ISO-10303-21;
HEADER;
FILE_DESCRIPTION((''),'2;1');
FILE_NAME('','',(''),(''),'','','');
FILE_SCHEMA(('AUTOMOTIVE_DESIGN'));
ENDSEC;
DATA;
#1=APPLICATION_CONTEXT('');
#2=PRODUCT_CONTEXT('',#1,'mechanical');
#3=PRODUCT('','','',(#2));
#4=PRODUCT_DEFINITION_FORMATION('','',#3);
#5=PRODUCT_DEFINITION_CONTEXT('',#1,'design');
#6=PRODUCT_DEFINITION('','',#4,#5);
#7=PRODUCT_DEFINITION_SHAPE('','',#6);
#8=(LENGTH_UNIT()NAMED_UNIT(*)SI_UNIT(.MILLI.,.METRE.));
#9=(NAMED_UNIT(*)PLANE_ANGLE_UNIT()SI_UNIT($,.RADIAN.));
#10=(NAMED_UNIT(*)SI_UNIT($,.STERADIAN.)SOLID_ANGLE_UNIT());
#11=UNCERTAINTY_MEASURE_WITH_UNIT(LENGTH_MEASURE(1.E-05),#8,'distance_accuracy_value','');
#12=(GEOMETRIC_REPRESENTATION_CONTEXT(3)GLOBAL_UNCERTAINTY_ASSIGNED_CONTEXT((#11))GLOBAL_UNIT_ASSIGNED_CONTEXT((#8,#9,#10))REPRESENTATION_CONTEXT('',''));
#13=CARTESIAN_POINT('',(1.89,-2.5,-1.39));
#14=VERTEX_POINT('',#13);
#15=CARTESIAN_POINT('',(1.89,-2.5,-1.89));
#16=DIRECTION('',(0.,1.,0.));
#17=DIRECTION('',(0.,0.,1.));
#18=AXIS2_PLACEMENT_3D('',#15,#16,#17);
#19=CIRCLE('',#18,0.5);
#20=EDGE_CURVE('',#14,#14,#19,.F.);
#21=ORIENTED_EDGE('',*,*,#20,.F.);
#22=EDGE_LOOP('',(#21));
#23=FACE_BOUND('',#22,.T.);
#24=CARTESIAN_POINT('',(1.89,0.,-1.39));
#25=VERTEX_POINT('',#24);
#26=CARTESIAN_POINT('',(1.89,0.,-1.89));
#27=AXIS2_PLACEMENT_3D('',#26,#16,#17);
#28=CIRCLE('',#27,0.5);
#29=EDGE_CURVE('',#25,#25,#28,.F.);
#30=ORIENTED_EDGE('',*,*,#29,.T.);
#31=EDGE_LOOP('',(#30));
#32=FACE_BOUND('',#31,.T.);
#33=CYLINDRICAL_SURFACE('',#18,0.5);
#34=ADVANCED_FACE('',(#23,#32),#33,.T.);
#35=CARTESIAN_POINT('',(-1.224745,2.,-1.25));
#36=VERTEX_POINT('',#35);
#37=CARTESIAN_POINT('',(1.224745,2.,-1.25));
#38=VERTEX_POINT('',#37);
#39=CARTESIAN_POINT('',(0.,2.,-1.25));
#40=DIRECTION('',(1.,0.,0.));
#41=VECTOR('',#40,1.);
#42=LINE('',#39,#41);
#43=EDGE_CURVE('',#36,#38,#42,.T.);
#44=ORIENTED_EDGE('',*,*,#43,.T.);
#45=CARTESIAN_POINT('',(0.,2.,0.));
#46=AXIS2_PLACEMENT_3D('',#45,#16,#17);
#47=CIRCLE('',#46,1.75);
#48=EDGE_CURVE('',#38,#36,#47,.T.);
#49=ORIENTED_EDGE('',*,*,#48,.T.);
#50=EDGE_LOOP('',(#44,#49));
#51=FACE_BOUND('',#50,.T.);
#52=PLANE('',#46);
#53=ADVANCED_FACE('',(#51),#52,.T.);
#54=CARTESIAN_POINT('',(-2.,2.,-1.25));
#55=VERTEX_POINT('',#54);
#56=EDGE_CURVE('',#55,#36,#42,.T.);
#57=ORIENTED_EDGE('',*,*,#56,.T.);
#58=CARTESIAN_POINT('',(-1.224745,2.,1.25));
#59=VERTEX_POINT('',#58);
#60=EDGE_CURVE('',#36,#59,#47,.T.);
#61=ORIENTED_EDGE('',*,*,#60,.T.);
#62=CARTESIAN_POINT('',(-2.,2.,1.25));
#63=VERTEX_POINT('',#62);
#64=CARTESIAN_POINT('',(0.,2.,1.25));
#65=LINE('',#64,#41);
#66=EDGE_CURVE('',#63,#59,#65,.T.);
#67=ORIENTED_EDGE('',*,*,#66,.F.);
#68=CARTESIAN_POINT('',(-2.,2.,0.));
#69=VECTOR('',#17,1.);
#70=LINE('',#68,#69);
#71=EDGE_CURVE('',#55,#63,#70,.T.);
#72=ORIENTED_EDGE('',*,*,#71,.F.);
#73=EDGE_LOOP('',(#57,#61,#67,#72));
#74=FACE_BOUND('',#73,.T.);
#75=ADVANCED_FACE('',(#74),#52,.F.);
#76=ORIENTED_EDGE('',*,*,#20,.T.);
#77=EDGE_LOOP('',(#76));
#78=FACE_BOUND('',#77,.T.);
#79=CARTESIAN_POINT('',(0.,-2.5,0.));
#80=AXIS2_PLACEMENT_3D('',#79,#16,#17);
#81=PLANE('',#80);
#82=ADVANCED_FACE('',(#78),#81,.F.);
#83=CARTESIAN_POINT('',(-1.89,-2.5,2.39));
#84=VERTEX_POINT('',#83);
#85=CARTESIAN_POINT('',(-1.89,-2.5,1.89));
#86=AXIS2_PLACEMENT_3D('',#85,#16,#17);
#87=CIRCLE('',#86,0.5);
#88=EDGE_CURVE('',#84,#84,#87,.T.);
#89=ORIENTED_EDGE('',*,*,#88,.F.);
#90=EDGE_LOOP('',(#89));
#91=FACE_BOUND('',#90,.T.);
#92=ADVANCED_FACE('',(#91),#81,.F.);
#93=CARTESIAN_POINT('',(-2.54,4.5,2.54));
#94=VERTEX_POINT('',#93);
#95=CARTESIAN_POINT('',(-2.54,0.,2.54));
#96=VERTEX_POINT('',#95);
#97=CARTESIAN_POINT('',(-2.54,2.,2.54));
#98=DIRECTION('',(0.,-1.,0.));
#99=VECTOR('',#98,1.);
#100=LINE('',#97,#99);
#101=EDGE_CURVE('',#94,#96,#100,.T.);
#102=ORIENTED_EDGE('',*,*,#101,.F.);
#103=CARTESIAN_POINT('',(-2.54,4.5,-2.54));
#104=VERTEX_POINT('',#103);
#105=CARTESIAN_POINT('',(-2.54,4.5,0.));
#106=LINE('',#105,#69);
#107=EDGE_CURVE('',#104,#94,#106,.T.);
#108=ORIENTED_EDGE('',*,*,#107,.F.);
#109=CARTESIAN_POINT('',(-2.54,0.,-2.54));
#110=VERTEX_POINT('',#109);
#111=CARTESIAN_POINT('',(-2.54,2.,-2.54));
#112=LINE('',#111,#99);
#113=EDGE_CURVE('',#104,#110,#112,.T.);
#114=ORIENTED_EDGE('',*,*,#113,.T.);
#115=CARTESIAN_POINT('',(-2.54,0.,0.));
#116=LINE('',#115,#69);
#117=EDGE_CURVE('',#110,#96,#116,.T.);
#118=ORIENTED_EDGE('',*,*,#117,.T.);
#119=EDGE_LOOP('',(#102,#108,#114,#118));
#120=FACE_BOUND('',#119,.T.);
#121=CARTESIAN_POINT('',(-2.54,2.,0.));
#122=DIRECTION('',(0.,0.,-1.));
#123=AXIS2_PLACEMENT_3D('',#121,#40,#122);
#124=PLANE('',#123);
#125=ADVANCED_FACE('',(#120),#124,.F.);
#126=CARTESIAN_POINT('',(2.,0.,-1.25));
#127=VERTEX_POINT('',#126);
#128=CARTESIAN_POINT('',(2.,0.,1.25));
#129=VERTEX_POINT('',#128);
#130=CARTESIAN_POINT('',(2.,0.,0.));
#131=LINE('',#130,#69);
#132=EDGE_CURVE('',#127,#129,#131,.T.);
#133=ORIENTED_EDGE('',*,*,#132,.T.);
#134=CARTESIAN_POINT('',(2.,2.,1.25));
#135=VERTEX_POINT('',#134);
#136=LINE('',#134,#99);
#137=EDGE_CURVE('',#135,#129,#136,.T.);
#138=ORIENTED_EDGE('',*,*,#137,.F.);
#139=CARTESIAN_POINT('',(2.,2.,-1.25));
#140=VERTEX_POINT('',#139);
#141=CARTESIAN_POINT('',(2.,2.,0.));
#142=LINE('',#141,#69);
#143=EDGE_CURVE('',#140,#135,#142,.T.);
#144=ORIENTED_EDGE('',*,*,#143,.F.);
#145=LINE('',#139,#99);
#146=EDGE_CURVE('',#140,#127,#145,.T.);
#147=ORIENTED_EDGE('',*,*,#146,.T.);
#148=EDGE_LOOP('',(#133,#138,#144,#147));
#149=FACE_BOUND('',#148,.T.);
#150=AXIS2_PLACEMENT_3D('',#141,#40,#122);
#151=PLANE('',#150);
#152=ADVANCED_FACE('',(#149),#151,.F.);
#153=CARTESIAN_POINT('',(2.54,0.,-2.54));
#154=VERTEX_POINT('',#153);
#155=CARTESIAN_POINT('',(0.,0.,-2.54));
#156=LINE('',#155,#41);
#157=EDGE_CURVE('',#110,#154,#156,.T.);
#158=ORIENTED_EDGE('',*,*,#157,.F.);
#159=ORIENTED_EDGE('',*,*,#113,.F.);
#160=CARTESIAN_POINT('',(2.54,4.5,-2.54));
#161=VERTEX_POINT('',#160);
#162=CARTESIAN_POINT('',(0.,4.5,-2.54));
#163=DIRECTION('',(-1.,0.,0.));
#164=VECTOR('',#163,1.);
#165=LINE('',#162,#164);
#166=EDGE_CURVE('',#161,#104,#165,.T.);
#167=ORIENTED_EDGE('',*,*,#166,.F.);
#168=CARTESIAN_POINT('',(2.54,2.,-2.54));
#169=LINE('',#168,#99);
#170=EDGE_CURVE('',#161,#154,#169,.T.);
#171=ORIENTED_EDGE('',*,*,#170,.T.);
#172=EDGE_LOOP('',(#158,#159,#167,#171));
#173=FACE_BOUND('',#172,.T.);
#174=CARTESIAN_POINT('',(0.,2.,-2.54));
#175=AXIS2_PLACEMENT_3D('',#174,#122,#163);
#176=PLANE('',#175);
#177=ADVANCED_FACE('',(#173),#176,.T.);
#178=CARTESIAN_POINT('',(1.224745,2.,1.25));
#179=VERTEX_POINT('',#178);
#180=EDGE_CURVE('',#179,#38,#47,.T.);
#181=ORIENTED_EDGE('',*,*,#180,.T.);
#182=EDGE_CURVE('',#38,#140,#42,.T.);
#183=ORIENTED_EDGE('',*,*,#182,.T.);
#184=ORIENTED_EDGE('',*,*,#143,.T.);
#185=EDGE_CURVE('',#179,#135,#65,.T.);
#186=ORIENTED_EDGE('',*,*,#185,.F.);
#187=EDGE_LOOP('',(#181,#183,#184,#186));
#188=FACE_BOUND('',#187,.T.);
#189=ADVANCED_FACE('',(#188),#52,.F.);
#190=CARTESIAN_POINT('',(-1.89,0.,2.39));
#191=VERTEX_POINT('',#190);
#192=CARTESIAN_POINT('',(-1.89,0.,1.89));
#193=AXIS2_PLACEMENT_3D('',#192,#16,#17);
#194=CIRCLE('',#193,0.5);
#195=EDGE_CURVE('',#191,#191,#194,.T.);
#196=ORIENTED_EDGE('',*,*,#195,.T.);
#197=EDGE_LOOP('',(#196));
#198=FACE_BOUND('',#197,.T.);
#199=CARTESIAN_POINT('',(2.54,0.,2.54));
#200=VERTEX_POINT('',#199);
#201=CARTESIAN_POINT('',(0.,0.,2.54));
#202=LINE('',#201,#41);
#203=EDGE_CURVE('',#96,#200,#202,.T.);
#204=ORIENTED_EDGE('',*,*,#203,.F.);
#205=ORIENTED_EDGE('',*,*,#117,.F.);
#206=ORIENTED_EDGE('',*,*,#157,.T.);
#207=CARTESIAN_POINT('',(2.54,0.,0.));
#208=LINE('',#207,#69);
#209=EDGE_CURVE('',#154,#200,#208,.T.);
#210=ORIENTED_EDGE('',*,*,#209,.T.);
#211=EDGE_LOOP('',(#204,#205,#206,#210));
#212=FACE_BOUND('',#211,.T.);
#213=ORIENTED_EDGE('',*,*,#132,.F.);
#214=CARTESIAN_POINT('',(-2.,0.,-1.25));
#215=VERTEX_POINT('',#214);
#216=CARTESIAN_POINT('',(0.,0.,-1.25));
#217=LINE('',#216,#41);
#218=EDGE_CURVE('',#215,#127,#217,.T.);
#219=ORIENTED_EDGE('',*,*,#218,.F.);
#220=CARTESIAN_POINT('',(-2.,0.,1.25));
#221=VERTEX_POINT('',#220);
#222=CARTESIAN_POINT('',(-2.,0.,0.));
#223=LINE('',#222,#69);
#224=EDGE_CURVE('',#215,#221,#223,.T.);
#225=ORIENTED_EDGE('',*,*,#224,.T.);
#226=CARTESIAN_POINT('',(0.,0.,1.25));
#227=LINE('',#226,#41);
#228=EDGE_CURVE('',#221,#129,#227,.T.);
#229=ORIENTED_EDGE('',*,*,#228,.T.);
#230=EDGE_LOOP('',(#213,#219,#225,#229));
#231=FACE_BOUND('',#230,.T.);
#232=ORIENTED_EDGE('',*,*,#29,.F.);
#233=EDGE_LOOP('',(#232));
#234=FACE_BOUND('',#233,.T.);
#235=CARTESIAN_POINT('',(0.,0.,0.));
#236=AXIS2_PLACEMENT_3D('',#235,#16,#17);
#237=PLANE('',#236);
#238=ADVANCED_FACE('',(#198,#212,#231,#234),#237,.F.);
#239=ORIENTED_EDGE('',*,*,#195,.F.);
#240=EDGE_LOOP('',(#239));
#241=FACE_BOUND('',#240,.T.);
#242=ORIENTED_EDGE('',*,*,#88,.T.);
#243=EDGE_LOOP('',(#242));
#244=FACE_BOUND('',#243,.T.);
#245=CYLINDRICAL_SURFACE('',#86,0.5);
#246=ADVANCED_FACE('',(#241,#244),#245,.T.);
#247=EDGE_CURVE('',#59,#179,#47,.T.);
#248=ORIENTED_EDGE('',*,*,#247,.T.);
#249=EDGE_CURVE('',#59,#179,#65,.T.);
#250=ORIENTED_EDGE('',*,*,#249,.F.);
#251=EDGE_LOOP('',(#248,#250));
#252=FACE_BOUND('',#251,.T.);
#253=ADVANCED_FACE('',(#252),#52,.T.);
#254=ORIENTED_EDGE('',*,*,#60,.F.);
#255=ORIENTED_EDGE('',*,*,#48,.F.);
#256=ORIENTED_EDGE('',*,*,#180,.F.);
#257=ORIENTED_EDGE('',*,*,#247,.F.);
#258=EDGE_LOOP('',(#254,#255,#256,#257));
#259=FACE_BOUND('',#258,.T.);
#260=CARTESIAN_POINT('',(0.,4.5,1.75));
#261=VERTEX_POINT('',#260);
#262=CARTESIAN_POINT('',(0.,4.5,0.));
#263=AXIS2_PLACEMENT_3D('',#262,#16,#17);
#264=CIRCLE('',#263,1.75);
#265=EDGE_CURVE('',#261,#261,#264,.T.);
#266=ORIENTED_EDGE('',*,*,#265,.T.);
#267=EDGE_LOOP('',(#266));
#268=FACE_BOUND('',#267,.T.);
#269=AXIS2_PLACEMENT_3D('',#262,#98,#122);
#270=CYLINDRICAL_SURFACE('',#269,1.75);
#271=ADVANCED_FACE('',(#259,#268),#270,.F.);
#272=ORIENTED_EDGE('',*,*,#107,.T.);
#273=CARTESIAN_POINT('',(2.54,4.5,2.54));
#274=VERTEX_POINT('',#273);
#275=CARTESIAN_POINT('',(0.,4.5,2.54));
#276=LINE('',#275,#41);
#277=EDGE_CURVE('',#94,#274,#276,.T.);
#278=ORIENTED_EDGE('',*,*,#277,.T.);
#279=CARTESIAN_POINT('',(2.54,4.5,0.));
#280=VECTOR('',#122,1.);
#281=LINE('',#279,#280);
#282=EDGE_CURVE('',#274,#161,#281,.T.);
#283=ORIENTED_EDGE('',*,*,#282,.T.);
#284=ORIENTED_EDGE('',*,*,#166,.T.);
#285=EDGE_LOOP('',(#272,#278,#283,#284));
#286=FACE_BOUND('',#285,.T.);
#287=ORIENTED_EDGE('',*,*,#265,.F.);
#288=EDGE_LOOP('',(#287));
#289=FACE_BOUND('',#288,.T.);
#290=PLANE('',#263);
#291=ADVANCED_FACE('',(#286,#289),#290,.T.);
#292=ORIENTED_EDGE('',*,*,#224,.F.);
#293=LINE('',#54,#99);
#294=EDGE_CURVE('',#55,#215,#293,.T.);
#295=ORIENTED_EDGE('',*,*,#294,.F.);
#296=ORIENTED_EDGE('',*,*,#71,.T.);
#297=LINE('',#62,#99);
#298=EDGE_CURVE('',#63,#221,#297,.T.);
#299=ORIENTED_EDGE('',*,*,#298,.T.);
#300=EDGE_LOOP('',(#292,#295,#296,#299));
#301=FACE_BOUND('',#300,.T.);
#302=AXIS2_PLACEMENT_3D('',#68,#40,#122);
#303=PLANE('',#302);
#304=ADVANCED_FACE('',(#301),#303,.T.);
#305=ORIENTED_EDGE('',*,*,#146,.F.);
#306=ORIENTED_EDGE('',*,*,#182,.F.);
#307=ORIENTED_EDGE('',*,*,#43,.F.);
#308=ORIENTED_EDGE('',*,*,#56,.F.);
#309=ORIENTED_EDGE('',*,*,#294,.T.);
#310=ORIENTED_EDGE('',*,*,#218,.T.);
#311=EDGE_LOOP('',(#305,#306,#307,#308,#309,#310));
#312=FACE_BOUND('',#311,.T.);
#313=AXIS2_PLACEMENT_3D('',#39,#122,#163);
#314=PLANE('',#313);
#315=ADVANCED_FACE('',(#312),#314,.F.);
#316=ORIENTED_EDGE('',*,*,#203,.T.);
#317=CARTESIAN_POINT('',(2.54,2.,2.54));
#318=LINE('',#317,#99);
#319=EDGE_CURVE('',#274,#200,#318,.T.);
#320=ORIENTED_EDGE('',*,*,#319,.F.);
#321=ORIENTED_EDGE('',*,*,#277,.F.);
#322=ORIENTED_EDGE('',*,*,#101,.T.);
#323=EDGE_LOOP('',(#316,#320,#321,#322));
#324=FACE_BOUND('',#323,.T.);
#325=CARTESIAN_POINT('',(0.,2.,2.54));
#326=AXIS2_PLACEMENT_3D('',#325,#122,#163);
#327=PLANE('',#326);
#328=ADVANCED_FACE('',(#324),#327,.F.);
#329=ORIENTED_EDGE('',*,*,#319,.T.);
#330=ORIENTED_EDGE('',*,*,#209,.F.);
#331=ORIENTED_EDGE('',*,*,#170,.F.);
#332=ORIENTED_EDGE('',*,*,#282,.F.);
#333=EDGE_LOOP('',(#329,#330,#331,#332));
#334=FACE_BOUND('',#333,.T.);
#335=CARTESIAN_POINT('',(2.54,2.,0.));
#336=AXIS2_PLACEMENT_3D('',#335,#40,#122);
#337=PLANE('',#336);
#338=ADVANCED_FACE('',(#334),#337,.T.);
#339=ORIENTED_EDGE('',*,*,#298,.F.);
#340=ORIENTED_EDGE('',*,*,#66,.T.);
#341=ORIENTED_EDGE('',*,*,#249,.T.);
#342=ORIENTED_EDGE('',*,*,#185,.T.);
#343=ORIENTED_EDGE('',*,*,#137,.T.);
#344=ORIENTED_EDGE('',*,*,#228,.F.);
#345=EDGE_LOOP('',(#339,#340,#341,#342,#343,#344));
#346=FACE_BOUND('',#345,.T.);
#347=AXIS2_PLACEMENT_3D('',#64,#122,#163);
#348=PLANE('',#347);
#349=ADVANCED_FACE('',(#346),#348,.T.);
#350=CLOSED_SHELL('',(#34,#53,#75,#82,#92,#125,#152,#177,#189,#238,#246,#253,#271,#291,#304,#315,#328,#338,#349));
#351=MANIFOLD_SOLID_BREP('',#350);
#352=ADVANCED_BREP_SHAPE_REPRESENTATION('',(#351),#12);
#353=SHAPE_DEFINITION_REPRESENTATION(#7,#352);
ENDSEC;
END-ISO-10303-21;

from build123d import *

# Parameters (mm, degrees)
SKETCH1_W           = 5.08
SKETCH1_H           = 5.08
SKETCH1_W_2         = 4
SKETCH1_H_2         = 2.5
BOSS_EXTRUDE1_DEPTH = 2
SKETCH2_W           = 5.08
SKETCH2_H           = 5.08
SKETCH2_R           = 1.75
BOSS_EXTRUDE2_DEPTH = 2.5
SKETCH1_3_R         = 0.5
BOSS_EXTRUDE3_DEPTH = 2.5


with BuildPart() as part:
    # Sketch1 → Boss-Extrude1 (new body)
    with BuildSketch(Plane(origin=(0, 0, 0), x_dir=(1, 0, 0), z_dir=(0, 1, 0))):
        Rectangle(SKETCH1_W, SKETCH1_H)
        Rectangle(SKETCH1_W_2, SKETCH1_H_2, mode=Mode.SUBTRACT)
    extrude(amount=BOSS_EXTRUDE1_DEPTH)

    # Sketch2 → Boss-Extrude2 (add)
    with BuildSketch(Plane(origin=(0, 2, 0), x_dir=(1, 0, 0), z_dir=(0, 1, 0))):
        Rectangle(SKETCH2_W, SKETCH2_H)
        Circle(SKETCH2_R, mode=Mode.SUBTRACT)
    extrude(amount=BOSS_EXTRUDE2_DEPTH)

    # Sketch1<3> → Boss-Extrude3 (add)
    with BuildSketch(Plane(origin=(0, 0, 0), x_dir=(1, 0, 0), z_dir=(0, 1, 0))):
        with Locations((-1.89, -1.89)):
            Circle(SKETCH1_3_R)
        with Locations((1.89, 1.89)):
            Circle(SKETCH1_3_R)
    extrude(amount=-BOSS_EXTRUDE3_DEPTH)


solid = part.part
